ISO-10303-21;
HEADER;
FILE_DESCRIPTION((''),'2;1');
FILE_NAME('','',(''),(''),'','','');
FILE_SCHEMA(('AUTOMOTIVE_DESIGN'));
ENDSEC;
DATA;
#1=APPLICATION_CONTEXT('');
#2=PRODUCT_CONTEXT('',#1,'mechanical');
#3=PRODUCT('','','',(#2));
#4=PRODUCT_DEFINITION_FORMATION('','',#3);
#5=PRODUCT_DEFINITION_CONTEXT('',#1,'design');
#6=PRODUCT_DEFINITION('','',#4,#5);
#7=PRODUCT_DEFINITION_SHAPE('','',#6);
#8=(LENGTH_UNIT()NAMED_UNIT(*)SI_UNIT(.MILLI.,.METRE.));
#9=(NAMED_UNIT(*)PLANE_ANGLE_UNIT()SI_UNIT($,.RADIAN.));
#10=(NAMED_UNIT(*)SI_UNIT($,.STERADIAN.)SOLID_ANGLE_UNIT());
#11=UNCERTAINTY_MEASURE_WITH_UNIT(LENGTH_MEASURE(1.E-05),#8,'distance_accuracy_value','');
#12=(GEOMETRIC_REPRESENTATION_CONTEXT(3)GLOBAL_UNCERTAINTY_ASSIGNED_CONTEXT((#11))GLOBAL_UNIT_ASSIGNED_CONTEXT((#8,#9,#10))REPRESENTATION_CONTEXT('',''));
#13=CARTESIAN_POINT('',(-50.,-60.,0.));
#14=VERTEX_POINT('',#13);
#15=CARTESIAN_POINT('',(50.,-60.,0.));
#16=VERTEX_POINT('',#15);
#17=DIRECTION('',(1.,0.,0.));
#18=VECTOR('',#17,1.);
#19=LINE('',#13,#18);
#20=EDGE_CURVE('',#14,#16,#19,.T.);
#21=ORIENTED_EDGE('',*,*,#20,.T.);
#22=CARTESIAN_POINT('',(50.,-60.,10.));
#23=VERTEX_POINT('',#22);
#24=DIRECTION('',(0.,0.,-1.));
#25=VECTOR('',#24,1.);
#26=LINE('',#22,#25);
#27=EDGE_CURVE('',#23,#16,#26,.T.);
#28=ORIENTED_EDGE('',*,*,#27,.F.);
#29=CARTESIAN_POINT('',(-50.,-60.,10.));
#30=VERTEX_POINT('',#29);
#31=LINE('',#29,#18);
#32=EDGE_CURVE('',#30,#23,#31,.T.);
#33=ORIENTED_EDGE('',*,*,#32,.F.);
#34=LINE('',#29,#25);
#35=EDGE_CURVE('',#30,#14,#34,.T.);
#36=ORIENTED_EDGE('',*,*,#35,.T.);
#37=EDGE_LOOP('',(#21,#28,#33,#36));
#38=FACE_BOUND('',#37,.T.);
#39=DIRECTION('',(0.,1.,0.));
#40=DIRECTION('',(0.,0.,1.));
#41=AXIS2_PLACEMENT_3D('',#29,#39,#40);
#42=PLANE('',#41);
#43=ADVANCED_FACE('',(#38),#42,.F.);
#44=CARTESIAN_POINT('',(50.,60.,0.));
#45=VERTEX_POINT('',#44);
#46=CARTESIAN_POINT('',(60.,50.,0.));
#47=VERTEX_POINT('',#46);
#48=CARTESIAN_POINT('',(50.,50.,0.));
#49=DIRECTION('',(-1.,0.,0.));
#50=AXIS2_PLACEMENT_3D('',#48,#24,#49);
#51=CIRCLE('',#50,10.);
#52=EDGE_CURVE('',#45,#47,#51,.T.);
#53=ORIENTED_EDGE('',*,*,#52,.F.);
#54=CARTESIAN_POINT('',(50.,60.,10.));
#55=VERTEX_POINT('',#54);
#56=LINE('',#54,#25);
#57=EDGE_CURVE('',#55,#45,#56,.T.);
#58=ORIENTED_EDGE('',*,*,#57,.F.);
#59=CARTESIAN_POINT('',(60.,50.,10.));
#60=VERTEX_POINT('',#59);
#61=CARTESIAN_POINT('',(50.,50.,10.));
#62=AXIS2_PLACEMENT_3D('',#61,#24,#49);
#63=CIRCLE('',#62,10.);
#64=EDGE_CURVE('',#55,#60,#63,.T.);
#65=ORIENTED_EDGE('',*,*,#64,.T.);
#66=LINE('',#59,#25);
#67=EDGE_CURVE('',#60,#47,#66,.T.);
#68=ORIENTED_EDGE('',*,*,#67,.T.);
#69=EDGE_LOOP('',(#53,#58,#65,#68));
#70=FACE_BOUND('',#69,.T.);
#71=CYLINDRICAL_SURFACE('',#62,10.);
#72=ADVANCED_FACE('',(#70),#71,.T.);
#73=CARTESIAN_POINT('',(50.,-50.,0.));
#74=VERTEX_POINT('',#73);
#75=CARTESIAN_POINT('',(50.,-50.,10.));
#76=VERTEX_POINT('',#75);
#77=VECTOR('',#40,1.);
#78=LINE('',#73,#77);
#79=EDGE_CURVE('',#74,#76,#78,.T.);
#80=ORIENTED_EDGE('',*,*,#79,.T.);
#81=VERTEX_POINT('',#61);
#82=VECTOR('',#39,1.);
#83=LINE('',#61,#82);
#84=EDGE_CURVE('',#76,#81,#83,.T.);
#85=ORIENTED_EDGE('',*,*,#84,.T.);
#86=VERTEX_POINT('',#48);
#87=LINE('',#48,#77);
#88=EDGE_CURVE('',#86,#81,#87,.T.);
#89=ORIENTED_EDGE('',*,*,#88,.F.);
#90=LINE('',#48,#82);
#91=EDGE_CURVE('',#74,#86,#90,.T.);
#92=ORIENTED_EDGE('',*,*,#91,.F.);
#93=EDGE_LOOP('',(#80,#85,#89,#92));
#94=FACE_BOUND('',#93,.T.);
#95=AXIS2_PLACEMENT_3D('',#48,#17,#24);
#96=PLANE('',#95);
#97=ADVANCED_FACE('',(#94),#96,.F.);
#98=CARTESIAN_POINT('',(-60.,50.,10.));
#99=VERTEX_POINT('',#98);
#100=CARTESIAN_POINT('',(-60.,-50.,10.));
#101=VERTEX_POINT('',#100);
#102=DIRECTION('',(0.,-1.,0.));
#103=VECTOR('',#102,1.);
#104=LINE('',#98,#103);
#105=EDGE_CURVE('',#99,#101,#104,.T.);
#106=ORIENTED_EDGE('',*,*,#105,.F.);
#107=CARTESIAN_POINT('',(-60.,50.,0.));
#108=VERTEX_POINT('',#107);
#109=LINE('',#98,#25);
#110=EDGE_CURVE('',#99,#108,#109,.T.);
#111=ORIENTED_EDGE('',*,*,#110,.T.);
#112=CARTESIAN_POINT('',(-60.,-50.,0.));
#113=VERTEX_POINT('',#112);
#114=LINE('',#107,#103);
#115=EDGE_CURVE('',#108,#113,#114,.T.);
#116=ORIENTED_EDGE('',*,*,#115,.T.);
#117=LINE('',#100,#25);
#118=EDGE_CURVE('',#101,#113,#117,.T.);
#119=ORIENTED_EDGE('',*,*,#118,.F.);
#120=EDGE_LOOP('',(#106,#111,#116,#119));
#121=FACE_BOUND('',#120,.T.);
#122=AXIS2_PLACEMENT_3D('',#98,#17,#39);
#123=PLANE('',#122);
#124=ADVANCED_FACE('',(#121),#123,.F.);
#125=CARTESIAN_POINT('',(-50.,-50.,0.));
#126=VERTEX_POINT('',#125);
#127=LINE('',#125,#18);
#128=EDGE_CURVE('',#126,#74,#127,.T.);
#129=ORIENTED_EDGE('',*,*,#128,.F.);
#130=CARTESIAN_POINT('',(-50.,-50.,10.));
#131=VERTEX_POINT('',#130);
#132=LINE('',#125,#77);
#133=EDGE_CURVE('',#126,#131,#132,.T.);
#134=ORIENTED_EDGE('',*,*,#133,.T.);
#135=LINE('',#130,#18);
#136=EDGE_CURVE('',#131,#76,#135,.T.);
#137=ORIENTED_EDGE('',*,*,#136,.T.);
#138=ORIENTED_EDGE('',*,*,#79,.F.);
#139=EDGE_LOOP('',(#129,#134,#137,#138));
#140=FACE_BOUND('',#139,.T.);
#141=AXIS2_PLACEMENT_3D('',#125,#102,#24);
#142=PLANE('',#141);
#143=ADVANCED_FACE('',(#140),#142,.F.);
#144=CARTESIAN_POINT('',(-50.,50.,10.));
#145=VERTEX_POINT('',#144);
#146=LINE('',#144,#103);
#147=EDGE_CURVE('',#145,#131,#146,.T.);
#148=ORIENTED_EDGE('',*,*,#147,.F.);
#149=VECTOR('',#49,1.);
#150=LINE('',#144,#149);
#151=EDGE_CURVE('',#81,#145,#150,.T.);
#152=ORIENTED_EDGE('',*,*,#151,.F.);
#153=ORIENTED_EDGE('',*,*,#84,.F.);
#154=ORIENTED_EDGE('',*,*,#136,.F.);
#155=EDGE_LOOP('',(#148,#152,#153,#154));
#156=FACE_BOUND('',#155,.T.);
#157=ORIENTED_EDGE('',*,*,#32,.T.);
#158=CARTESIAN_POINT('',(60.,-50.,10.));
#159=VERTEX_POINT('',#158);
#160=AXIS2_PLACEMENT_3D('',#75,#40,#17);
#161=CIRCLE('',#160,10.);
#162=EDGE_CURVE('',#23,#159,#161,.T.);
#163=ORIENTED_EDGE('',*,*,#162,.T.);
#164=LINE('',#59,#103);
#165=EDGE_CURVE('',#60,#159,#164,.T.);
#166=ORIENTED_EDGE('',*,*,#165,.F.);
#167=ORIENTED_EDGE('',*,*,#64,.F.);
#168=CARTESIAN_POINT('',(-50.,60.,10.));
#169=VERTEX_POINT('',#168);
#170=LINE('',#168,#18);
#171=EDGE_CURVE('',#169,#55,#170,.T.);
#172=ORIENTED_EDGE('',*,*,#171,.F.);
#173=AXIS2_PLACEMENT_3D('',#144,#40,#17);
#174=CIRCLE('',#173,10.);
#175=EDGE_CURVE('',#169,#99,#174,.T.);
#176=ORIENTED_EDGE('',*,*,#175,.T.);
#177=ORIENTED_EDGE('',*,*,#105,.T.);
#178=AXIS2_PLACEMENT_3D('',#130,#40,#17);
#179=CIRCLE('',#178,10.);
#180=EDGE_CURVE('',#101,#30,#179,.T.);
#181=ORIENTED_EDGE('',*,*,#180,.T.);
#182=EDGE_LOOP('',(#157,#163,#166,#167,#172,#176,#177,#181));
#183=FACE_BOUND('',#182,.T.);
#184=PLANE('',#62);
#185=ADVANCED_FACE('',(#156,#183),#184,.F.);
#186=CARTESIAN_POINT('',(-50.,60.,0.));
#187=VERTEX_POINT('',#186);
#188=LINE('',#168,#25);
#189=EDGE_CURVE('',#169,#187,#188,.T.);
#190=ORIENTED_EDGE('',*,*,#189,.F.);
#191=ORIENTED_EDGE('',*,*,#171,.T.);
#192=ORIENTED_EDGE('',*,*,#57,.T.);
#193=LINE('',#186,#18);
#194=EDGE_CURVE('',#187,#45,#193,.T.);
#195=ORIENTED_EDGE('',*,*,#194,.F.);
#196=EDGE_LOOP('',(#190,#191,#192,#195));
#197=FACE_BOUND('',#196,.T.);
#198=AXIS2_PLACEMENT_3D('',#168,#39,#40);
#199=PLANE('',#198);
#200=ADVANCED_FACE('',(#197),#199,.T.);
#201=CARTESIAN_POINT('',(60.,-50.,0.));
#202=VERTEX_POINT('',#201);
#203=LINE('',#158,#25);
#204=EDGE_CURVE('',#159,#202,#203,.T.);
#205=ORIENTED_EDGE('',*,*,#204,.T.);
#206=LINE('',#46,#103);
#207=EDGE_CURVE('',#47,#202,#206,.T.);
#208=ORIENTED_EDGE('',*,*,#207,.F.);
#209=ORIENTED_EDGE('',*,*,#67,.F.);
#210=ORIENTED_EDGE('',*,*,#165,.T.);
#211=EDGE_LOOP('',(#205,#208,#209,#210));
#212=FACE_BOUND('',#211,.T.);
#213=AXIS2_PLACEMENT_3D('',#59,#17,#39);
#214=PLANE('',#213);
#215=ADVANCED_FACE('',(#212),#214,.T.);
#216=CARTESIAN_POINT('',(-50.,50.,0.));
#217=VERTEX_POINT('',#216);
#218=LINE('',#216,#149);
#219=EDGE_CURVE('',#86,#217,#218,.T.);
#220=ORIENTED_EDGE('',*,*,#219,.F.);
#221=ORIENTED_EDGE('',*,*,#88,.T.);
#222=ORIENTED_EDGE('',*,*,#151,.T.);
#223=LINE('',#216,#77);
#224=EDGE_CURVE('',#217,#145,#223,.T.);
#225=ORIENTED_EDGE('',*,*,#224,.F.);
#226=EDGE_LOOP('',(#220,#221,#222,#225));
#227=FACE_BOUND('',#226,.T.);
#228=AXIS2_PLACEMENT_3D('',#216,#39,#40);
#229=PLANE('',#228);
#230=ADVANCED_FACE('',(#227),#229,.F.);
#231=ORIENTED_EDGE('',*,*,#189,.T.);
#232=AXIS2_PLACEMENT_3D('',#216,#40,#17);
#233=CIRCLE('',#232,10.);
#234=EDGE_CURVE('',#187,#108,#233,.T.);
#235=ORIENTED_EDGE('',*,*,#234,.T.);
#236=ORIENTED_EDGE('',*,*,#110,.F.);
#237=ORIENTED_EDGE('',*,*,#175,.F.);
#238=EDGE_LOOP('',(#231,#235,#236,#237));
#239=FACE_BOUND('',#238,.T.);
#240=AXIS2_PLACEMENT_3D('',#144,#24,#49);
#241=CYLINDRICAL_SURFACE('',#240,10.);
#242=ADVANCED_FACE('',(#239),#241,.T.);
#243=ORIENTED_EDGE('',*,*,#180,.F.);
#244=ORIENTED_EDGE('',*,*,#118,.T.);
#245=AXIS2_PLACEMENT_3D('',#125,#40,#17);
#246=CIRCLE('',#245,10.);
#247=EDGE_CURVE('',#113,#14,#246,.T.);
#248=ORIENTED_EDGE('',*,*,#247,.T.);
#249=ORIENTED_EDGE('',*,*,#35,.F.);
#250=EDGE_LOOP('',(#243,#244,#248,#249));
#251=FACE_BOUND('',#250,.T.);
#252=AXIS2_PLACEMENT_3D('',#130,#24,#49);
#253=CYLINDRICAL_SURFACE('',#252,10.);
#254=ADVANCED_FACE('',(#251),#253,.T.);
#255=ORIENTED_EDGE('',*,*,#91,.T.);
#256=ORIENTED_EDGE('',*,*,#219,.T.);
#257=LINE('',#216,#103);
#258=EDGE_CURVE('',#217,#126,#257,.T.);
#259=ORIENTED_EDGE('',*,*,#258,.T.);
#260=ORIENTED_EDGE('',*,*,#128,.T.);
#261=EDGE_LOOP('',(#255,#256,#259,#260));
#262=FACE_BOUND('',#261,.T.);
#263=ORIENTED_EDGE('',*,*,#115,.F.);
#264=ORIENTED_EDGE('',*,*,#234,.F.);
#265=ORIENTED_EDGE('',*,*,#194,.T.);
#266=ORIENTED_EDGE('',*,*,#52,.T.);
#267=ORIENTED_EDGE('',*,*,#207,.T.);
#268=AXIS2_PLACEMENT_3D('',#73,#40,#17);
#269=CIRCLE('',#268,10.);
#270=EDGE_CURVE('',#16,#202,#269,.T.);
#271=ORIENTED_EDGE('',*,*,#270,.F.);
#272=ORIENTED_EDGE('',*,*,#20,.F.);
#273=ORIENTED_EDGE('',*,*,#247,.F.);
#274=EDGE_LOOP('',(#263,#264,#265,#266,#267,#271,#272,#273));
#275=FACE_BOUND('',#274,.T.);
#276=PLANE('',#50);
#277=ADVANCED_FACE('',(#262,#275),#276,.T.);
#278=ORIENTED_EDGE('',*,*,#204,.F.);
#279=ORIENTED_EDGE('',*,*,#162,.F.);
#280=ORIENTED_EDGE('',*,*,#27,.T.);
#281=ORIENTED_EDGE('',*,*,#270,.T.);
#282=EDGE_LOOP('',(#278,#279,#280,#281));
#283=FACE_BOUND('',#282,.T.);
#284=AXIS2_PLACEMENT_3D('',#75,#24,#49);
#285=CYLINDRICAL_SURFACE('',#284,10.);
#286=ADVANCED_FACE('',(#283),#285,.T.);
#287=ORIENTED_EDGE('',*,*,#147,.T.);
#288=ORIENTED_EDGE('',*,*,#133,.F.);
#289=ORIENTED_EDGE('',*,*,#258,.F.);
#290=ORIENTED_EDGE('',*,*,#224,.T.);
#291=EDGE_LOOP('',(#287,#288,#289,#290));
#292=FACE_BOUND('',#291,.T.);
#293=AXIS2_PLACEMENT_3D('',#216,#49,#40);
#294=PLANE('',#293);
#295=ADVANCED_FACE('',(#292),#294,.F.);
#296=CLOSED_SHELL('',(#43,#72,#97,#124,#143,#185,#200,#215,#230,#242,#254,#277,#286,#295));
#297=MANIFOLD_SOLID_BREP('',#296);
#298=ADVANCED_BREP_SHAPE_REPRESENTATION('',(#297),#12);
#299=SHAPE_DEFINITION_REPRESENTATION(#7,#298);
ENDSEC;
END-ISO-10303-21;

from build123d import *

# Parameters (mm, degrees)
BOSS_EXTRUDE1_DEPTH = 10
SKETCH3_W           = 100
SKETCH3_H           = 100
CUT_EXTRUDE1_DEPTH  = 10


with BuildPart() as part:
    # Sketch1 → Boss-Extrude1 (new body)
    with BuildSketch(Plane.XY):
        with BuildLine():
            Line((-50, 60), (50, 60))
            ThreePointArc((50, 60), (57.071067812, 57.071067812), (60, 50))
            Line((60, 50), (60, -50))
            ThreePointArc((60, -50), (57.071067812, -57.071067812), (50, -60))
            Line((50, -60), (-50, -60))
            ThreePointArc((-50, -60), (-57.071067812, -57.071067812), (-60, -50))
            Line((-60, -50), (-60, 50))
            ThreePointArc((-60, 50), (-57.071067812, 57.071067812), (-50, 60))
        make_face()
    extrude(amount=BOSS_EXTRUDE1_DEPTH)

    # Sketch3 → Cut-Extrude1 (cut)
    with BuildSketch(Plane.XY.offset(10)):
        Rectangle(SKETCH3_W, SKETCH3_H)
    extrude(amount=-CUT_EXTRUDE1_DEPTH, mode=Mode.SUBTRACT)


solid = part.part
